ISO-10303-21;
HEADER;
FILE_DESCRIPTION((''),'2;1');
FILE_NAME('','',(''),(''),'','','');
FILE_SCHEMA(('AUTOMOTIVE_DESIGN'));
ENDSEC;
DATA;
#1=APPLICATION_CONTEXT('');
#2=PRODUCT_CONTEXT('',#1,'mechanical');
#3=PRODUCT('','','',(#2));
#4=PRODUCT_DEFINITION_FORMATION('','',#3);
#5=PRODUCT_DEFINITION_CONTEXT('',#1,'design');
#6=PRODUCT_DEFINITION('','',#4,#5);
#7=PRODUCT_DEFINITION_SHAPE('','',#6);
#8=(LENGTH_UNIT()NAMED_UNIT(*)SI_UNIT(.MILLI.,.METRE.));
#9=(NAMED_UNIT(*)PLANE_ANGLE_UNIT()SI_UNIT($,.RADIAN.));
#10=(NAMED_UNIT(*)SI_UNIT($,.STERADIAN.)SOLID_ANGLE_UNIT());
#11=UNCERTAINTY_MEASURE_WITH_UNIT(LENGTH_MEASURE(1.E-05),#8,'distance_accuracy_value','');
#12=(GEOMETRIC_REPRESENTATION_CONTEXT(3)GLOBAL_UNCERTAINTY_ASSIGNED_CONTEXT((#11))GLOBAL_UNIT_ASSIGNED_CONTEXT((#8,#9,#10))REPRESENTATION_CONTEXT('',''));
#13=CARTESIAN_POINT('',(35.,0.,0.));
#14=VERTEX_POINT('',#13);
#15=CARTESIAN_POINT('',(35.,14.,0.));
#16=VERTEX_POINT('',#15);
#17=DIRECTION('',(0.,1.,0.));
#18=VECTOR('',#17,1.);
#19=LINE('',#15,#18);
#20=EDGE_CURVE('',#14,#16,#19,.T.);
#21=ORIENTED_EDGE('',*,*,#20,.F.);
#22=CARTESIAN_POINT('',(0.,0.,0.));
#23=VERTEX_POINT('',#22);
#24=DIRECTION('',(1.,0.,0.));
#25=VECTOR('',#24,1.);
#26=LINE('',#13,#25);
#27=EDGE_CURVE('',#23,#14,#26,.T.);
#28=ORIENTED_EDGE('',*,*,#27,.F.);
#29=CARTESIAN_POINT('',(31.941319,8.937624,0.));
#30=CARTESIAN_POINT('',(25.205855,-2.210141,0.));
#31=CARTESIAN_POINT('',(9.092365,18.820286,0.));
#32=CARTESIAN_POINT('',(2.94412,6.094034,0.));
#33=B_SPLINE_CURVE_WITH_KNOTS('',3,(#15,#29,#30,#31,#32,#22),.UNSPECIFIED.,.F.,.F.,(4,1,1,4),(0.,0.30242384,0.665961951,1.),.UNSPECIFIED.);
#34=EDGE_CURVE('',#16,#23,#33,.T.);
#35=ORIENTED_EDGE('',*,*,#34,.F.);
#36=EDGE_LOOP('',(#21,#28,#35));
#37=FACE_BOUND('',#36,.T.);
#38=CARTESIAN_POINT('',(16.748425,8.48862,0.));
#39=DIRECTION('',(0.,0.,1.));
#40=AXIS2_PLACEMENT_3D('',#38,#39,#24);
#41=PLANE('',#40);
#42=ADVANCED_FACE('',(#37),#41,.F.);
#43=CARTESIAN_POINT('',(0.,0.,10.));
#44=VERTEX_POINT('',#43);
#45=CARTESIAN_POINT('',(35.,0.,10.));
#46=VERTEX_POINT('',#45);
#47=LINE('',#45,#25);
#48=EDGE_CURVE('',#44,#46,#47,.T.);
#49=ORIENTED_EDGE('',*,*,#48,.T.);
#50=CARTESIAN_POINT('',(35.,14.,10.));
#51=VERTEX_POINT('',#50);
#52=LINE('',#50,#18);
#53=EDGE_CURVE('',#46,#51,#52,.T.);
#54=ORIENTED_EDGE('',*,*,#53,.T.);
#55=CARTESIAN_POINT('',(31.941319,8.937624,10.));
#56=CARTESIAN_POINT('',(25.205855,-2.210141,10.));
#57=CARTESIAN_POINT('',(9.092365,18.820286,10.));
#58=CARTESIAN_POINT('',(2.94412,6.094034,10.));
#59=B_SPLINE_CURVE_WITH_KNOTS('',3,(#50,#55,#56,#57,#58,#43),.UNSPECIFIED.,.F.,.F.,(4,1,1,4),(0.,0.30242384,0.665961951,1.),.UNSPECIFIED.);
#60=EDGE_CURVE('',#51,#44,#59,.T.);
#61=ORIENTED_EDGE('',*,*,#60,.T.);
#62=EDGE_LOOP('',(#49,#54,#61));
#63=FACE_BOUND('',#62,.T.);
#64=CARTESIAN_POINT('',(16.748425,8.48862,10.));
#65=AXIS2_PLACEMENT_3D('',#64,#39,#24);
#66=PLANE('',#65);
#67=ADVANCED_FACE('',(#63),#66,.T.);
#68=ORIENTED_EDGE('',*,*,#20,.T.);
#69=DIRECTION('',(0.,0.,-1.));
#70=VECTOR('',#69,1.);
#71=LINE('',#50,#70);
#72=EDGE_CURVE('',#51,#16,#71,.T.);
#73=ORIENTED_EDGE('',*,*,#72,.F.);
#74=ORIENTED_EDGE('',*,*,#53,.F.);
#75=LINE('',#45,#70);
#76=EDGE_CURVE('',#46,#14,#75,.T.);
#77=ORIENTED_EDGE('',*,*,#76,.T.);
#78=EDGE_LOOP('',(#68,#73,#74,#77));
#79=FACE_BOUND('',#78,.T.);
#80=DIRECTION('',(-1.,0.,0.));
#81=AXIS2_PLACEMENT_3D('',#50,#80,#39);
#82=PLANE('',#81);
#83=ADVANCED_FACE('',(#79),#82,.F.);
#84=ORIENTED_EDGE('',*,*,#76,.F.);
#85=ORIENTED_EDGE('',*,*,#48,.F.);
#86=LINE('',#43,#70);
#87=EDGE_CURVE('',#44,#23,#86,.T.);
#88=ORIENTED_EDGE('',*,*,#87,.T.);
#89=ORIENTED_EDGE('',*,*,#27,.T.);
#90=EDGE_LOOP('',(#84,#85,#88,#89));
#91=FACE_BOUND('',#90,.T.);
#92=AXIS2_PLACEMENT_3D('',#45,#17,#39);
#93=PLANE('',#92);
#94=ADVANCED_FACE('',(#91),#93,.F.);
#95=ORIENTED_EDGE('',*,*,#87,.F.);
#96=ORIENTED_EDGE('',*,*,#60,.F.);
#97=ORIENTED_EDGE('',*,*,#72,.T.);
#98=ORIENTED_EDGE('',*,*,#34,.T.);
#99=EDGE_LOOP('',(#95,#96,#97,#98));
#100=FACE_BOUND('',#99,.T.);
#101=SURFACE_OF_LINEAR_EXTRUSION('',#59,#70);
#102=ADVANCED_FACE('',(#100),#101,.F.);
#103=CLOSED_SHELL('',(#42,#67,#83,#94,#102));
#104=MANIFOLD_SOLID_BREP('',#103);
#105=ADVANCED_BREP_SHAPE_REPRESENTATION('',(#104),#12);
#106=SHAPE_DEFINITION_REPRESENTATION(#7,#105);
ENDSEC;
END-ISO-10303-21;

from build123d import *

# Parameters (mm, degrees)
BOSS_EXTRUDE1_DEPTH = 10


with BuildPart() as part:
    # Sketch1 → Boss-Extrude1 (new body)
    with BuildSketch(Plane.XY):
        with BuildLine():
            Line((35, 14), (35, 0))
            Line((35, 0), (0, 0))
            add(Edge.make_bspline(
                [(0, 0), (2.944119923, 6.094033719), (9.092365244, 18.820286478), (25.205855224, -2.210140525), (31.941319361, 8.937624048), (35, 14)],
                knots=[0, 0, 0, 0, 0.334038049, 0.69757616, 1, 1, 1, 1], degree=3))
        make_face()
    extrude(amount=BOSS_EXTRUDE1_DEPTH)


solid = part.part
